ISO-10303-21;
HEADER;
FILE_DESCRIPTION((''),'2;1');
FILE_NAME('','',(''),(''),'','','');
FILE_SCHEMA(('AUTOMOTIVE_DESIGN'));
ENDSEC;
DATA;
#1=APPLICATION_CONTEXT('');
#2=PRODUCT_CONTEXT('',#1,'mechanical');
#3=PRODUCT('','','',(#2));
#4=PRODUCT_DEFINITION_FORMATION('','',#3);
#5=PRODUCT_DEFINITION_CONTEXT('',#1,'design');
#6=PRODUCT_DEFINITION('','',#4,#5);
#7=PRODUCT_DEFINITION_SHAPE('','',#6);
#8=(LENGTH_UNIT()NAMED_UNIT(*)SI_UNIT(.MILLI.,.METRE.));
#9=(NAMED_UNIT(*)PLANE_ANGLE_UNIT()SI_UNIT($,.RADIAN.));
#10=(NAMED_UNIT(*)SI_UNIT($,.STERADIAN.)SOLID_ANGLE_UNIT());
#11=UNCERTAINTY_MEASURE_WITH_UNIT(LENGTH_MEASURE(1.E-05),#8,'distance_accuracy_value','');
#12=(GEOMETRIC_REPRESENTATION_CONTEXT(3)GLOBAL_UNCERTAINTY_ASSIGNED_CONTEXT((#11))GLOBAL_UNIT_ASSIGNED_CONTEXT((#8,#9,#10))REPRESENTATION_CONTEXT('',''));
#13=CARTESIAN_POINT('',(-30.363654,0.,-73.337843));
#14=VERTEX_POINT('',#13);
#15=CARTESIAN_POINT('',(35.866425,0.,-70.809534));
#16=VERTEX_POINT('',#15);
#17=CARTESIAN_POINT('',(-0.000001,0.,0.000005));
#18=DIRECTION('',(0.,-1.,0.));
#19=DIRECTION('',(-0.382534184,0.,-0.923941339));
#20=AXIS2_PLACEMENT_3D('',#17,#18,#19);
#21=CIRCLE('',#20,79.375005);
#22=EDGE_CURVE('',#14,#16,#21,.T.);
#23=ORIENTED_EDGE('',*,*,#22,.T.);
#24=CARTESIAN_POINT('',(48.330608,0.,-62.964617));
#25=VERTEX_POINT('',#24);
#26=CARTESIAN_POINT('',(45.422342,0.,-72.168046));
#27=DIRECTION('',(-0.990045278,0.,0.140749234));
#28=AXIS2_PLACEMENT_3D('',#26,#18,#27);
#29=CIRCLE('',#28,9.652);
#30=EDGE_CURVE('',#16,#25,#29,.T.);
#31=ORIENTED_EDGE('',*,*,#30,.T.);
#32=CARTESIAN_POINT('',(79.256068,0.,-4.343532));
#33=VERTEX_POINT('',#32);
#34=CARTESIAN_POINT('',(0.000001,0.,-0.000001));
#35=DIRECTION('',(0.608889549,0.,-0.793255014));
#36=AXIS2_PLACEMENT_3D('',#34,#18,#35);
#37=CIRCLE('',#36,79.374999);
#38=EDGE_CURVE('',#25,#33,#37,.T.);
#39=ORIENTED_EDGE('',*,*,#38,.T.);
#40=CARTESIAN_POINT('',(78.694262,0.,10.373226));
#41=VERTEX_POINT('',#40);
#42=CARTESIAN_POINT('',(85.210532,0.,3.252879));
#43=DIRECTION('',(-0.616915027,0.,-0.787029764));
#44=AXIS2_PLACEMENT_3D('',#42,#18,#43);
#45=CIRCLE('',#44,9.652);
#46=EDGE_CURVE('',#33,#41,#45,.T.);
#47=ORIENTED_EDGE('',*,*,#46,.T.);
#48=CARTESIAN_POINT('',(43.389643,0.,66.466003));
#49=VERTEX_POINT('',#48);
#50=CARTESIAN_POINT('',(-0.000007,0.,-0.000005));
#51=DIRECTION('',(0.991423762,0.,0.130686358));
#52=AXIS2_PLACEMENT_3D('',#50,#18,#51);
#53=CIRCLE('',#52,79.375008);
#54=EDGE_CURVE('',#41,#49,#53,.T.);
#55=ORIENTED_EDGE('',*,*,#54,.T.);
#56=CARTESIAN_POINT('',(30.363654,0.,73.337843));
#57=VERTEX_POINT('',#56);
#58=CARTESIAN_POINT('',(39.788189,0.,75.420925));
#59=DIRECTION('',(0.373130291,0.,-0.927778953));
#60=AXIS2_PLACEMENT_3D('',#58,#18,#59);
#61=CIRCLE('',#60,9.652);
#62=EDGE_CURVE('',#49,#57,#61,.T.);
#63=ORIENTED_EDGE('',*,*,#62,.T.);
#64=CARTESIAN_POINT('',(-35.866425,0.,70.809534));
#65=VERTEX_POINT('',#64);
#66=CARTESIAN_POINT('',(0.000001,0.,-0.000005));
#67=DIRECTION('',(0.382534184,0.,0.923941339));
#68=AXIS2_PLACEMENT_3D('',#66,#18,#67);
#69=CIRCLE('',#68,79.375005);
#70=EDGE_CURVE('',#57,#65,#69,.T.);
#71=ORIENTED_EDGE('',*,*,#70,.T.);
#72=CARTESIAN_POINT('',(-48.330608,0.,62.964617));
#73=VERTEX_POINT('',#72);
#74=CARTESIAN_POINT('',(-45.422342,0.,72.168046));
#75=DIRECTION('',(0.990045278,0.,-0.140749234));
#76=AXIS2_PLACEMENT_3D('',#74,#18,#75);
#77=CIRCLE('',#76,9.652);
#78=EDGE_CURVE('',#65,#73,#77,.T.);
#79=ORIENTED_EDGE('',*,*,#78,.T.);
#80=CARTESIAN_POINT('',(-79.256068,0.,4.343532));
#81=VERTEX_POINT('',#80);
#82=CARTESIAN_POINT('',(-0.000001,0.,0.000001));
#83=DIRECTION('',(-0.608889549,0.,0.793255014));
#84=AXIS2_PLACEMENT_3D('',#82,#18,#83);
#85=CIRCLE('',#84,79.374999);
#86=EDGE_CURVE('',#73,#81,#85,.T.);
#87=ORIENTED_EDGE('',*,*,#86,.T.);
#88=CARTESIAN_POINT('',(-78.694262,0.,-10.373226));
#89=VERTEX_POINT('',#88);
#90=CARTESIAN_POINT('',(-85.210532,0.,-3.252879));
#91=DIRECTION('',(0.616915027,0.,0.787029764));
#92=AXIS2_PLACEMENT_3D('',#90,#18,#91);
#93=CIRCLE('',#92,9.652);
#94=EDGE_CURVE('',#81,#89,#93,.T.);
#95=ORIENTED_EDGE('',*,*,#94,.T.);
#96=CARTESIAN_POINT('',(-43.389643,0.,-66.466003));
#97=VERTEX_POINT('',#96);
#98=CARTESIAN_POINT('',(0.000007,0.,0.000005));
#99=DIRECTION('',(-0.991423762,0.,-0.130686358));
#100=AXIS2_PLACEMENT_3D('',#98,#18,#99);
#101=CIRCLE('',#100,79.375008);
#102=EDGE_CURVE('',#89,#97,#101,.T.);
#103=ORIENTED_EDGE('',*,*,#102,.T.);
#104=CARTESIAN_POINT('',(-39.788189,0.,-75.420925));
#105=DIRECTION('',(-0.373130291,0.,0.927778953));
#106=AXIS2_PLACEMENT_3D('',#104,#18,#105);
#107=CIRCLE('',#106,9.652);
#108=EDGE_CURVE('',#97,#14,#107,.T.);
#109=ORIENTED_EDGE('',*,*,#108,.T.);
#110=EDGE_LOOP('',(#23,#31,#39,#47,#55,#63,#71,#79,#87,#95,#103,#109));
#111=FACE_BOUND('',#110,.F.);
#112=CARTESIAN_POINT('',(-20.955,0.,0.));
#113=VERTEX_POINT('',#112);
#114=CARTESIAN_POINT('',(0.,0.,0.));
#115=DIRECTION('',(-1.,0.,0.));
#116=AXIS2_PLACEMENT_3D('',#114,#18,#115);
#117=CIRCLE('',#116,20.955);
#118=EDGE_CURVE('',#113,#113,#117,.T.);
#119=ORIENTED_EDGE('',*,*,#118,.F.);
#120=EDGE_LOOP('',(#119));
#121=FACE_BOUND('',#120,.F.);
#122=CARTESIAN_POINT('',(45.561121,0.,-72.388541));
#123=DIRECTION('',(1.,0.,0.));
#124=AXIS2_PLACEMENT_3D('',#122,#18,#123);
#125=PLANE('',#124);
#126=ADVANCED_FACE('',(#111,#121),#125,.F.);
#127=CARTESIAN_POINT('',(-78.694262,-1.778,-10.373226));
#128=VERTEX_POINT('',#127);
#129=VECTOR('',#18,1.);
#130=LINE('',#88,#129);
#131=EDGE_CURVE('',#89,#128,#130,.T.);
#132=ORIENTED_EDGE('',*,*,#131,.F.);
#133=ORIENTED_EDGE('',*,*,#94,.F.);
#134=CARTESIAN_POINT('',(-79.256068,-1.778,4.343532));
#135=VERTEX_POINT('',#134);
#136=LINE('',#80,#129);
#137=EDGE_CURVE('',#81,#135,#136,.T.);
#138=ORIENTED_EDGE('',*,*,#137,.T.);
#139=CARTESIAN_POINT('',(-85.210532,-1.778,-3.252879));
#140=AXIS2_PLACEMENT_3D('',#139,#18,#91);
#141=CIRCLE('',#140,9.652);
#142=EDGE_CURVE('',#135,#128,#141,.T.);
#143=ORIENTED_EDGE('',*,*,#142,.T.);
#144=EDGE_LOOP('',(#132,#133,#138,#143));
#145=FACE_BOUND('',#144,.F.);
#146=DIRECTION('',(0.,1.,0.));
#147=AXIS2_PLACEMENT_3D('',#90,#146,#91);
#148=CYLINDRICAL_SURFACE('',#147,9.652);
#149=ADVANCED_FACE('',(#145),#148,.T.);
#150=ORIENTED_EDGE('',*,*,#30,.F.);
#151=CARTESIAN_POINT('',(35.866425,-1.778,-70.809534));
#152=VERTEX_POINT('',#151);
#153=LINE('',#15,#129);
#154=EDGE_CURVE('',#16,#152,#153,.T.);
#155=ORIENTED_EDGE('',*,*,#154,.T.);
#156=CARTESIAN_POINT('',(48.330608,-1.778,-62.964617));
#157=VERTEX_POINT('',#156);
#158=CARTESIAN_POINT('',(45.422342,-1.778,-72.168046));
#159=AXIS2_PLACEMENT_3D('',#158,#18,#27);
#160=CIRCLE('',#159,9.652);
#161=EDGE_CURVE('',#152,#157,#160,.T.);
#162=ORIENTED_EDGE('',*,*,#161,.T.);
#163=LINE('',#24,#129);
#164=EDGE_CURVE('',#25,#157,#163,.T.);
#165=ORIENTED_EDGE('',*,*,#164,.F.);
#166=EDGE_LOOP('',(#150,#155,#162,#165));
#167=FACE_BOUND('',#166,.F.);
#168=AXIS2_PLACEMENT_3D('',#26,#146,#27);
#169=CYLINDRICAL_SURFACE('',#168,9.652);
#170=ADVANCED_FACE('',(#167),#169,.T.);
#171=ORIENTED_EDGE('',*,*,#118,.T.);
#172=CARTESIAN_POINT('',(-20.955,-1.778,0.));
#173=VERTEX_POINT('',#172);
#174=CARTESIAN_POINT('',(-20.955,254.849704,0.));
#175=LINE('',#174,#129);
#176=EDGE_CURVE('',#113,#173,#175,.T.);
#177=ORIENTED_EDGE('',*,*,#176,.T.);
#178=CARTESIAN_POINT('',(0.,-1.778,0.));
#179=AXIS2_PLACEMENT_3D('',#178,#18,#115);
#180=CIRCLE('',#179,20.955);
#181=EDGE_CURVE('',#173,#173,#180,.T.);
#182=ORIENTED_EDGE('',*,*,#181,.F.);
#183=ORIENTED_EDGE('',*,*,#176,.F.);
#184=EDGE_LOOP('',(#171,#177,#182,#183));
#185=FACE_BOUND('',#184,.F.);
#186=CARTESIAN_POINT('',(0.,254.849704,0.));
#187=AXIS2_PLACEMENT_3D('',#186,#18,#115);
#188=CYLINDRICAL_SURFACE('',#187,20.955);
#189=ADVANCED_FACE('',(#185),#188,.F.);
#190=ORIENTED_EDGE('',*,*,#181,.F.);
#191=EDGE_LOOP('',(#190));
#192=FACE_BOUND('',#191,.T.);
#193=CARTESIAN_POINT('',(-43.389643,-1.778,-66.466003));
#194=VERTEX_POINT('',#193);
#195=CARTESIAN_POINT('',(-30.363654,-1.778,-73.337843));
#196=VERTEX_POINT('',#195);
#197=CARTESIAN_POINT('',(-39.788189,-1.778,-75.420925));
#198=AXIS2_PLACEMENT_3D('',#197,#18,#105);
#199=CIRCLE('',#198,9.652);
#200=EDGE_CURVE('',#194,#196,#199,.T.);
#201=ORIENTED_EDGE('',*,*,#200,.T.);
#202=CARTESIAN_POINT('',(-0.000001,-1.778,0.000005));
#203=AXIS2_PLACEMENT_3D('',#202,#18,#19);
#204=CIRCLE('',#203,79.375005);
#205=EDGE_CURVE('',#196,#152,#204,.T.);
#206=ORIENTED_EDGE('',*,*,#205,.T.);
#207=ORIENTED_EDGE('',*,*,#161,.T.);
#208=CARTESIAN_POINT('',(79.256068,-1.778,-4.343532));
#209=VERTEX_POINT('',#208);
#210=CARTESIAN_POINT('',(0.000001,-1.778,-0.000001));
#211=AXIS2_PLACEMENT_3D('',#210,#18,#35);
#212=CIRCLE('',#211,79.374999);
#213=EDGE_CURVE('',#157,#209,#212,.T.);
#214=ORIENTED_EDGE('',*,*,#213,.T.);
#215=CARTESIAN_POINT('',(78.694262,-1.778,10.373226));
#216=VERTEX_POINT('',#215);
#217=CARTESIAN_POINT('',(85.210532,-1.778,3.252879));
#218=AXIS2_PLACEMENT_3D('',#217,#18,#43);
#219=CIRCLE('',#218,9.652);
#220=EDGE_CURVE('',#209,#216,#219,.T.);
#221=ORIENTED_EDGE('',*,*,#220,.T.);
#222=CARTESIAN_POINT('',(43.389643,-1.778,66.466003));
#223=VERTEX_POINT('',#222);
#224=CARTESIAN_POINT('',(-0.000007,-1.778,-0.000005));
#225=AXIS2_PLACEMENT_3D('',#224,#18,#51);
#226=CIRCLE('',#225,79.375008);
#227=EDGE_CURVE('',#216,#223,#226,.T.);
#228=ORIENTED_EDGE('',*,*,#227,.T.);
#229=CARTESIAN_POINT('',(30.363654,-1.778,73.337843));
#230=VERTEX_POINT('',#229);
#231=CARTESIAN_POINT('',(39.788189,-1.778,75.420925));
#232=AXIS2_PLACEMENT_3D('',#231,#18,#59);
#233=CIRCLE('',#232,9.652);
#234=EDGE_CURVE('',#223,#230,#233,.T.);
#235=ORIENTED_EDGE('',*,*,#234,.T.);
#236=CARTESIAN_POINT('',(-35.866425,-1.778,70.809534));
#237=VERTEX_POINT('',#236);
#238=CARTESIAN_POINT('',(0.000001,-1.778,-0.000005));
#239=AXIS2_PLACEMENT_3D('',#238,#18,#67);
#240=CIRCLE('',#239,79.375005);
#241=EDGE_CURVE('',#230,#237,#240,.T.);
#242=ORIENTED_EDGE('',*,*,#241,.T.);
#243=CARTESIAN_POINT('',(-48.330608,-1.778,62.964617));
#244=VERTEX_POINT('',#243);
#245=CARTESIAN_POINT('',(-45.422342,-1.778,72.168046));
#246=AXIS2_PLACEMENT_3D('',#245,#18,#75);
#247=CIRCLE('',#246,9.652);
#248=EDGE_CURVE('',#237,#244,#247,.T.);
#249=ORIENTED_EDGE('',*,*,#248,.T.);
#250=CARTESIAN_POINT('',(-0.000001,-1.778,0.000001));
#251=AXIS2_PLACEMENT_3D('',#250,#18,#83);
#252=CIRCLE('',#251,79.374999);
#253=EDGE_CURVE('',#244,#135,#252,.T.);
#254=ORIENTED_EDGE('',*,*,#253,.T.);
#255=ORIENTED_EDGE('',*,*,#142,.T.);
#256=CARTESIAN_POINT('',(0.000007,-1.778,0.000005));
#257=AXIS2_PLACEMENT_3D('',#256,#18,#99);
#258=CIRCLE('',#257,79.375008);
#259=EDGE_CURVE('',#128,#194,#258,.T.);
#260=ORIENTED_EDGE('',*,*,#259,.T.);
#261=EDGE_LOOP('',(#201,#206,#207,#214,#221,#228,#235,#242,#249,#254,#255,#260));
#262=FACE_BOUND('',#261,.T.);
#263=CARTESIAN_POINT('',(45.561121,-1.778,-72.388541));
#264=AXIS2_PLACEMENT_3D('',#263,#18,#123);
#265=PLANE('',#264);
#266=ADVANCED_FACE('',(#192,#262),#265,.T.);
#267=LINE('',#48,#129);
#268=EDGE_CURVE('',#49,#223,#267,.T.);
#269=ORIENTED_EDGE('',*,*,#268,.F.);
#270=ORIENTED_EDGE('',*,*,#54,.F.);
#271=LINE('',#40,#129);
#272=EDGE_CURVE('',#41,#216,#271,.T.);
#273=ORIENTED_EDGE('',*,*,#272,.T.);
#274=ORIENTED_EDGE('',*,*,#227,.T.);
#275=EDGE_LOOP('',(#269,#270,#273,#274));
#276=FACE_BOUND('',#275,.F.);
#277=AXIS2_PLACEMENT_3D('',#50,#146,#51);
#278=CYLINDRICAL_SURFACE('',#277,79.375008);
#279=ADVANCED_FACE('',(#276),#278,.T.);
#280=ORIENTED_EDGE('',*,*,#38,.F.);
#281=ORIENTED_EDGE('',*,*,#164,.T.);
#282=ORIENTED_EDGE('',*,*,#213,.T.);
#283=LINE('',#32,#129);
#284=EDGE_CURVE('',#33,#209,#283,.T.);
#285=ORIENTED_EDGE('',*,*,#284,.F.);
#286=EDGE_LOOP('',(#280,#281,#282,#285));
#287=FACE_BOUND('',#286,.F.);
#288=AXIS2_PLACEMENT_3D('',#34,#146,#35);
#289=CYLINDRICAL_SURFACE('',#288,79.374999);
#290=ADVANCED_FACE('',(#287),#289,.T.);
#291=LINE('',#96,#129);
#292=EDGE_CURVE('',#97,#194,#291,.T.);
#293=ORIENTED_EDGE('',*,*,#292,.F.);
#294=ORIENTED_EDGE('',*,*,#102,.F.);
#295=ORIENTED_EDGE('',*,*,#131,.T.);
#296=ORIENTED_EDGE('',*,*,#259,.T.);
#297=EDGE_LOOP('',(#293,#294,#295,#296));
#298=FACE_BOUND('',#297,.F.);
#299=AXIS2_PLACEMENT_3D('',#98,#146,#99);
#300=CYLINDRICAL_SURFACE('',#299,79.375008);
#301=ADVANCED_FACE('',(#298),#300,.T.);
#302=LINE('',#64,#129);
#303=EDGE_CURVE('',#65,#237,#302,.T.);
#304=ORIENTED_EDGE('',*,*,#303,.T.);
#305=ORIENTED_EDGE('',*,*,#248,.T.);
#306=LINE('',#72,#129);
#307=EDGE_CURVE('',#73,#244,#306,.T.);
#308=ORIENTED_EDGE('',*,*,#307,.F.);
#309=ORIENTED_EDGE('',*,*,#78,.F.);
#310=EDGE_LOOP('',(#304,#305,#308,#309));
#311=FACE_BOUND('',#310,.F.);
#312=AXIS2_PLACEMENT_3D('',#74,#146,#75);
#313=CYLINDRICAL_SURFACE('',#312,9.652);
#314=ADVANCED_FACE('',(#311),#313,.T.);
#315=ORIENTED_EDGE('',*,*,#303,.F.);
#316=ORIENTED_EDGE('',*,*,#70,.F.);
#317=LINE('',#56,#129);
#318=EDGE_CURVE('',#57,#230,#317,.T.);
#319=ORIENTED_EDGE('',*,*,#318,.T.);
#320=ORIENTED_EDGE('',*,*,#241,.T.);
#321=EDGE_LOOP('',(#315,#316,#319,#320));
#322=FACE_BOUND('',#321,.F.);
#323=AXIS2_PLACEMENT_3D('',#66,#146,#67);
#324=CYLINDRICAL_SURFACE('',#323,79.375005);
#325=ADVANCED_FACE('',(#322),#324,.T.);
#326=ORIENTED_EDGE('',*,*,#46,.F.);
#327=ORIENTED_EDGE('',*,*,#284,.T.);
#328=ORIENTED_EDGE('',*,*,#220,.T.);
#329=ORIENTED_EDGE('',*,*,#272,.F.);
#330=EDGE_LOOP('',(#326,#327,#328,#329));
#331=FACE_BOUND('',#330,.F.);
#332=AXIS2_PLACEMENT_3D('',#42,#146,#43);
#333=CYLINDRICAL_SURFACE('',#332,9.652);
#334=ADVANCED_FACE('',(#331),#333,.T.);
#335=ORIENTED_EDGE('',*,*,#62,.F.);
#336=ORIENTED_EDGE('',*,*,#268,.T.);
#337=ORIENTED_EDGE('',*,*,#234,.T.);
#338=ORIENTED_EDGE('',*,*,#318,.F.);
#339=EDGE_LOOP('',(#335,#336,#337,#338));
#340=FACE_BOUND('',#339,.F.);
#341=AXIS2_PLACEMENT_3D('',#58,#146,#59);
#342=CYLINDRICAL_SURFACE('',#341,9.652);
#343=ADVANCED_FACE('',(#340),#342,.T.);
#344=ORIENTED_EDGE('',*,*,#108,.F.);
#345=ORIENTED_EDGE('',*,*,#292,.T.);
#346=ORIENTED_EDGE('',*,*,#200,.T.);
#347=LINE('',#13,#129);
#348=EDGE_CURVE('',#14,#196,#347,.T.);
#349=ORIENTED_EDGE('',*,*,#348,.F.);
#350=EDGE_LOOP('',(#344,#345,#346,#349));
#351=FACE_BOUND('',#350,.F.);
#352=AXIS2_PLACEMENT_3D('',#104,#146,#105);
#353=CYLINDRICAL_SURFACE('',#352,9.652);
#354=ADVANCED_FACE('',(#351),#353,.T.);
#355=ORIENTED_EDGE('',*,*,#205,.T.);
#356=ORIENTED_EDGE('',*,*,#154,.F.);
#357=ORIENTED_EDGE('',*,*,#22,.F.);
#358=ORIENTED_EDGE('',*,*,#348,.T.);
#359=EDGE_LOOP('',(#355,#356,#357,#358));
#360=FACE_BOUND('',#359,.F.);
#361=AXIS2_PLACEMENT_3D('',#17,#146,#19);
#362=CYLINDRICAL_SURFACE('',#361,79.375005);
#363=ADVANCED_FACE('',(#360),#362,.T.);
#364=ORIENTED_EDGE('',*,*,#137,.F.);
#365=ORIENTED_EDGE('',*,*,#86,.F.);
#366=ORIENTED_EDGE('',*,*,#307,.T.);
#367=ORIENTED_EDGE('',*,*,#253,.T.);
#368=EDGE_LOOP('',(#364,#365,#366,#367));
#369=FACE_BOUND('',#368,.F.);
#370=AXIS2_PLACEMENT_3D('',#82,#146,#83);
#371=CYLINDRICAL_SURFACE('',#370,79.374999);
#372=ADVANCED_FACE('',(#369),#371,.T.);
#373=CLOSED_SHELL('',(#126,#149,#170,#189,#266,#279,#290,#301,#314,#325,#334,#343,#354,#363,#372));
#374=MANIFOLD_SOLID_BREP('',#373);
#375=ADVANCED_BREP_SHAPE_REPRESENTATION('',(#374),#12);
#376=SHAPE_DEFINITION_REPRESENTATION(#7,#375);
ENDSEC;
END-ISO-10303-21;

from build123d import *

# Parameters (mm, degrees)
F1_DEPTH = 1.778
F2_D     = 41.91


with BuildPart() as f1:
    # F0 (on Front) → F1 (new body)
    with BuildSketch(Plane.XZ):
        with BuildLine():
            ThreePointArc((35.866425, -70.809534), (50.563695, -80.336742), (48.330608, -62.964617))
            ThreePointArc((48.330608, -62.964617), (42.280856, -67.17678), (35.866425, -70.809534))
        make_face()
        with BuildLine():
            ThreePointArc((30.363654, 73.337843), (37.03637, 70.204686), (43.389643, 66.466003))
            ThreePointArc((43.389643, 66.466003), (44.291812, 83.957815), (30.363654, 73.337843))
        make_face()
        with BuildLine():
            ThreePointArc((-48.330608, 62.964617), (-42.280856, 67.17678), (-35.866425, 70.809534))
            ThreePointArc((-35.866425, 70.809534), (-50.563695, 80.336742), (-48.330608, 62.964617))
        make_face()
        with BuildLine():
            ThreePointArc((78.694262, 10.373226), (79.204633, 5.197769), (79.375, 0))
            ThreePointArc((79.375, 0), (79.345261, -2.17258), (79.256068, -4.343532))
            ThreePointArc((79.256068, -4.343532), (94.855507, 3.621073), (78.694262, 10.373226))
        make_face()
        with BuildLine():
            ThreePointArc((-43.389643, -66.466003), (-44.291812, -83.957815), (-30.363654, -73.337843))
            ThreePointArc((-30.363654, -73.337843), (-37.03637, -70.204686), (-43.389643, -66.466003))
        make_face()
        with BuildLine():
            ThreePointArc((79.256068, -4.343532), (79.345261, -2.17258), (79.375, 0))
            ThreePointArc((79.375, 0), (79.204633, 5.197769), (78.694262, 10.373226))
            ThreePointArc((78.694262, 10.373226), (67.17678, 42.280856), (43.389643, 66.466003))
            ThreePointArc((43.389643, 66.466003), (37.03637, 70.204686), (30.363654, 73.337843))
            ThreePointArc((30.363654, 73.337843), (-3.027905, 79.317226), (-35.866425, 70.809534))
            ThreePointArc((-35.866425, 70.809534), (-42.280856, 67.17678), (-48.330608, 62.964617))
            ThreePointArc((-48.330608, 62.964617), (-70.204686, 37.03637), (-79.256068, 4.343532))
            ThreePointArc((-79.256068, 4.343532), (-79.317226, -3.027905), (-78.694262, -10.373226))
            ThreePointArc((-78.694262, -10.373226), (-67.17678, -42.280856), (-43.389643, -66.466003))
            ThreePointArc((-43.389643, -66.466003), (-37.03637, -70.204686), (-30.363654, -73.337843))
            ThreePointArc((-30.363654, -73.337843), (3.027905, -79.317226), (35.866425, -70.809534))
            ThreePointArc((35.866425, -70.809534), (42.280856, -67.17678), (48.330608, -62.964617))
            ThreePointArc((48.330608, -62.964617), (70.204686, -37.03637), (79.256068, -4.343532))
        make_face()
        with BuildLine():
            ThreePointArc((-78.694262, -10.373226), (-79.317226, -3.027905), (-79.256068, 4.343532))
            ThreePointArc((-79.256068, 4.343532), (-94.855507, -3.621073), (-78.694262, -10.373226))
        make_face()
    extrude(amount=F1_DEPTH)

    # F2 (through all)
    with Locations(Plane(origin=(0, 0, 0), x_dir=(1, 0, 0), z_dir=(0, 1, 0))):
        with Locations((0, 0)):
            Hole(F2_D / 2)


solid = f1.part
